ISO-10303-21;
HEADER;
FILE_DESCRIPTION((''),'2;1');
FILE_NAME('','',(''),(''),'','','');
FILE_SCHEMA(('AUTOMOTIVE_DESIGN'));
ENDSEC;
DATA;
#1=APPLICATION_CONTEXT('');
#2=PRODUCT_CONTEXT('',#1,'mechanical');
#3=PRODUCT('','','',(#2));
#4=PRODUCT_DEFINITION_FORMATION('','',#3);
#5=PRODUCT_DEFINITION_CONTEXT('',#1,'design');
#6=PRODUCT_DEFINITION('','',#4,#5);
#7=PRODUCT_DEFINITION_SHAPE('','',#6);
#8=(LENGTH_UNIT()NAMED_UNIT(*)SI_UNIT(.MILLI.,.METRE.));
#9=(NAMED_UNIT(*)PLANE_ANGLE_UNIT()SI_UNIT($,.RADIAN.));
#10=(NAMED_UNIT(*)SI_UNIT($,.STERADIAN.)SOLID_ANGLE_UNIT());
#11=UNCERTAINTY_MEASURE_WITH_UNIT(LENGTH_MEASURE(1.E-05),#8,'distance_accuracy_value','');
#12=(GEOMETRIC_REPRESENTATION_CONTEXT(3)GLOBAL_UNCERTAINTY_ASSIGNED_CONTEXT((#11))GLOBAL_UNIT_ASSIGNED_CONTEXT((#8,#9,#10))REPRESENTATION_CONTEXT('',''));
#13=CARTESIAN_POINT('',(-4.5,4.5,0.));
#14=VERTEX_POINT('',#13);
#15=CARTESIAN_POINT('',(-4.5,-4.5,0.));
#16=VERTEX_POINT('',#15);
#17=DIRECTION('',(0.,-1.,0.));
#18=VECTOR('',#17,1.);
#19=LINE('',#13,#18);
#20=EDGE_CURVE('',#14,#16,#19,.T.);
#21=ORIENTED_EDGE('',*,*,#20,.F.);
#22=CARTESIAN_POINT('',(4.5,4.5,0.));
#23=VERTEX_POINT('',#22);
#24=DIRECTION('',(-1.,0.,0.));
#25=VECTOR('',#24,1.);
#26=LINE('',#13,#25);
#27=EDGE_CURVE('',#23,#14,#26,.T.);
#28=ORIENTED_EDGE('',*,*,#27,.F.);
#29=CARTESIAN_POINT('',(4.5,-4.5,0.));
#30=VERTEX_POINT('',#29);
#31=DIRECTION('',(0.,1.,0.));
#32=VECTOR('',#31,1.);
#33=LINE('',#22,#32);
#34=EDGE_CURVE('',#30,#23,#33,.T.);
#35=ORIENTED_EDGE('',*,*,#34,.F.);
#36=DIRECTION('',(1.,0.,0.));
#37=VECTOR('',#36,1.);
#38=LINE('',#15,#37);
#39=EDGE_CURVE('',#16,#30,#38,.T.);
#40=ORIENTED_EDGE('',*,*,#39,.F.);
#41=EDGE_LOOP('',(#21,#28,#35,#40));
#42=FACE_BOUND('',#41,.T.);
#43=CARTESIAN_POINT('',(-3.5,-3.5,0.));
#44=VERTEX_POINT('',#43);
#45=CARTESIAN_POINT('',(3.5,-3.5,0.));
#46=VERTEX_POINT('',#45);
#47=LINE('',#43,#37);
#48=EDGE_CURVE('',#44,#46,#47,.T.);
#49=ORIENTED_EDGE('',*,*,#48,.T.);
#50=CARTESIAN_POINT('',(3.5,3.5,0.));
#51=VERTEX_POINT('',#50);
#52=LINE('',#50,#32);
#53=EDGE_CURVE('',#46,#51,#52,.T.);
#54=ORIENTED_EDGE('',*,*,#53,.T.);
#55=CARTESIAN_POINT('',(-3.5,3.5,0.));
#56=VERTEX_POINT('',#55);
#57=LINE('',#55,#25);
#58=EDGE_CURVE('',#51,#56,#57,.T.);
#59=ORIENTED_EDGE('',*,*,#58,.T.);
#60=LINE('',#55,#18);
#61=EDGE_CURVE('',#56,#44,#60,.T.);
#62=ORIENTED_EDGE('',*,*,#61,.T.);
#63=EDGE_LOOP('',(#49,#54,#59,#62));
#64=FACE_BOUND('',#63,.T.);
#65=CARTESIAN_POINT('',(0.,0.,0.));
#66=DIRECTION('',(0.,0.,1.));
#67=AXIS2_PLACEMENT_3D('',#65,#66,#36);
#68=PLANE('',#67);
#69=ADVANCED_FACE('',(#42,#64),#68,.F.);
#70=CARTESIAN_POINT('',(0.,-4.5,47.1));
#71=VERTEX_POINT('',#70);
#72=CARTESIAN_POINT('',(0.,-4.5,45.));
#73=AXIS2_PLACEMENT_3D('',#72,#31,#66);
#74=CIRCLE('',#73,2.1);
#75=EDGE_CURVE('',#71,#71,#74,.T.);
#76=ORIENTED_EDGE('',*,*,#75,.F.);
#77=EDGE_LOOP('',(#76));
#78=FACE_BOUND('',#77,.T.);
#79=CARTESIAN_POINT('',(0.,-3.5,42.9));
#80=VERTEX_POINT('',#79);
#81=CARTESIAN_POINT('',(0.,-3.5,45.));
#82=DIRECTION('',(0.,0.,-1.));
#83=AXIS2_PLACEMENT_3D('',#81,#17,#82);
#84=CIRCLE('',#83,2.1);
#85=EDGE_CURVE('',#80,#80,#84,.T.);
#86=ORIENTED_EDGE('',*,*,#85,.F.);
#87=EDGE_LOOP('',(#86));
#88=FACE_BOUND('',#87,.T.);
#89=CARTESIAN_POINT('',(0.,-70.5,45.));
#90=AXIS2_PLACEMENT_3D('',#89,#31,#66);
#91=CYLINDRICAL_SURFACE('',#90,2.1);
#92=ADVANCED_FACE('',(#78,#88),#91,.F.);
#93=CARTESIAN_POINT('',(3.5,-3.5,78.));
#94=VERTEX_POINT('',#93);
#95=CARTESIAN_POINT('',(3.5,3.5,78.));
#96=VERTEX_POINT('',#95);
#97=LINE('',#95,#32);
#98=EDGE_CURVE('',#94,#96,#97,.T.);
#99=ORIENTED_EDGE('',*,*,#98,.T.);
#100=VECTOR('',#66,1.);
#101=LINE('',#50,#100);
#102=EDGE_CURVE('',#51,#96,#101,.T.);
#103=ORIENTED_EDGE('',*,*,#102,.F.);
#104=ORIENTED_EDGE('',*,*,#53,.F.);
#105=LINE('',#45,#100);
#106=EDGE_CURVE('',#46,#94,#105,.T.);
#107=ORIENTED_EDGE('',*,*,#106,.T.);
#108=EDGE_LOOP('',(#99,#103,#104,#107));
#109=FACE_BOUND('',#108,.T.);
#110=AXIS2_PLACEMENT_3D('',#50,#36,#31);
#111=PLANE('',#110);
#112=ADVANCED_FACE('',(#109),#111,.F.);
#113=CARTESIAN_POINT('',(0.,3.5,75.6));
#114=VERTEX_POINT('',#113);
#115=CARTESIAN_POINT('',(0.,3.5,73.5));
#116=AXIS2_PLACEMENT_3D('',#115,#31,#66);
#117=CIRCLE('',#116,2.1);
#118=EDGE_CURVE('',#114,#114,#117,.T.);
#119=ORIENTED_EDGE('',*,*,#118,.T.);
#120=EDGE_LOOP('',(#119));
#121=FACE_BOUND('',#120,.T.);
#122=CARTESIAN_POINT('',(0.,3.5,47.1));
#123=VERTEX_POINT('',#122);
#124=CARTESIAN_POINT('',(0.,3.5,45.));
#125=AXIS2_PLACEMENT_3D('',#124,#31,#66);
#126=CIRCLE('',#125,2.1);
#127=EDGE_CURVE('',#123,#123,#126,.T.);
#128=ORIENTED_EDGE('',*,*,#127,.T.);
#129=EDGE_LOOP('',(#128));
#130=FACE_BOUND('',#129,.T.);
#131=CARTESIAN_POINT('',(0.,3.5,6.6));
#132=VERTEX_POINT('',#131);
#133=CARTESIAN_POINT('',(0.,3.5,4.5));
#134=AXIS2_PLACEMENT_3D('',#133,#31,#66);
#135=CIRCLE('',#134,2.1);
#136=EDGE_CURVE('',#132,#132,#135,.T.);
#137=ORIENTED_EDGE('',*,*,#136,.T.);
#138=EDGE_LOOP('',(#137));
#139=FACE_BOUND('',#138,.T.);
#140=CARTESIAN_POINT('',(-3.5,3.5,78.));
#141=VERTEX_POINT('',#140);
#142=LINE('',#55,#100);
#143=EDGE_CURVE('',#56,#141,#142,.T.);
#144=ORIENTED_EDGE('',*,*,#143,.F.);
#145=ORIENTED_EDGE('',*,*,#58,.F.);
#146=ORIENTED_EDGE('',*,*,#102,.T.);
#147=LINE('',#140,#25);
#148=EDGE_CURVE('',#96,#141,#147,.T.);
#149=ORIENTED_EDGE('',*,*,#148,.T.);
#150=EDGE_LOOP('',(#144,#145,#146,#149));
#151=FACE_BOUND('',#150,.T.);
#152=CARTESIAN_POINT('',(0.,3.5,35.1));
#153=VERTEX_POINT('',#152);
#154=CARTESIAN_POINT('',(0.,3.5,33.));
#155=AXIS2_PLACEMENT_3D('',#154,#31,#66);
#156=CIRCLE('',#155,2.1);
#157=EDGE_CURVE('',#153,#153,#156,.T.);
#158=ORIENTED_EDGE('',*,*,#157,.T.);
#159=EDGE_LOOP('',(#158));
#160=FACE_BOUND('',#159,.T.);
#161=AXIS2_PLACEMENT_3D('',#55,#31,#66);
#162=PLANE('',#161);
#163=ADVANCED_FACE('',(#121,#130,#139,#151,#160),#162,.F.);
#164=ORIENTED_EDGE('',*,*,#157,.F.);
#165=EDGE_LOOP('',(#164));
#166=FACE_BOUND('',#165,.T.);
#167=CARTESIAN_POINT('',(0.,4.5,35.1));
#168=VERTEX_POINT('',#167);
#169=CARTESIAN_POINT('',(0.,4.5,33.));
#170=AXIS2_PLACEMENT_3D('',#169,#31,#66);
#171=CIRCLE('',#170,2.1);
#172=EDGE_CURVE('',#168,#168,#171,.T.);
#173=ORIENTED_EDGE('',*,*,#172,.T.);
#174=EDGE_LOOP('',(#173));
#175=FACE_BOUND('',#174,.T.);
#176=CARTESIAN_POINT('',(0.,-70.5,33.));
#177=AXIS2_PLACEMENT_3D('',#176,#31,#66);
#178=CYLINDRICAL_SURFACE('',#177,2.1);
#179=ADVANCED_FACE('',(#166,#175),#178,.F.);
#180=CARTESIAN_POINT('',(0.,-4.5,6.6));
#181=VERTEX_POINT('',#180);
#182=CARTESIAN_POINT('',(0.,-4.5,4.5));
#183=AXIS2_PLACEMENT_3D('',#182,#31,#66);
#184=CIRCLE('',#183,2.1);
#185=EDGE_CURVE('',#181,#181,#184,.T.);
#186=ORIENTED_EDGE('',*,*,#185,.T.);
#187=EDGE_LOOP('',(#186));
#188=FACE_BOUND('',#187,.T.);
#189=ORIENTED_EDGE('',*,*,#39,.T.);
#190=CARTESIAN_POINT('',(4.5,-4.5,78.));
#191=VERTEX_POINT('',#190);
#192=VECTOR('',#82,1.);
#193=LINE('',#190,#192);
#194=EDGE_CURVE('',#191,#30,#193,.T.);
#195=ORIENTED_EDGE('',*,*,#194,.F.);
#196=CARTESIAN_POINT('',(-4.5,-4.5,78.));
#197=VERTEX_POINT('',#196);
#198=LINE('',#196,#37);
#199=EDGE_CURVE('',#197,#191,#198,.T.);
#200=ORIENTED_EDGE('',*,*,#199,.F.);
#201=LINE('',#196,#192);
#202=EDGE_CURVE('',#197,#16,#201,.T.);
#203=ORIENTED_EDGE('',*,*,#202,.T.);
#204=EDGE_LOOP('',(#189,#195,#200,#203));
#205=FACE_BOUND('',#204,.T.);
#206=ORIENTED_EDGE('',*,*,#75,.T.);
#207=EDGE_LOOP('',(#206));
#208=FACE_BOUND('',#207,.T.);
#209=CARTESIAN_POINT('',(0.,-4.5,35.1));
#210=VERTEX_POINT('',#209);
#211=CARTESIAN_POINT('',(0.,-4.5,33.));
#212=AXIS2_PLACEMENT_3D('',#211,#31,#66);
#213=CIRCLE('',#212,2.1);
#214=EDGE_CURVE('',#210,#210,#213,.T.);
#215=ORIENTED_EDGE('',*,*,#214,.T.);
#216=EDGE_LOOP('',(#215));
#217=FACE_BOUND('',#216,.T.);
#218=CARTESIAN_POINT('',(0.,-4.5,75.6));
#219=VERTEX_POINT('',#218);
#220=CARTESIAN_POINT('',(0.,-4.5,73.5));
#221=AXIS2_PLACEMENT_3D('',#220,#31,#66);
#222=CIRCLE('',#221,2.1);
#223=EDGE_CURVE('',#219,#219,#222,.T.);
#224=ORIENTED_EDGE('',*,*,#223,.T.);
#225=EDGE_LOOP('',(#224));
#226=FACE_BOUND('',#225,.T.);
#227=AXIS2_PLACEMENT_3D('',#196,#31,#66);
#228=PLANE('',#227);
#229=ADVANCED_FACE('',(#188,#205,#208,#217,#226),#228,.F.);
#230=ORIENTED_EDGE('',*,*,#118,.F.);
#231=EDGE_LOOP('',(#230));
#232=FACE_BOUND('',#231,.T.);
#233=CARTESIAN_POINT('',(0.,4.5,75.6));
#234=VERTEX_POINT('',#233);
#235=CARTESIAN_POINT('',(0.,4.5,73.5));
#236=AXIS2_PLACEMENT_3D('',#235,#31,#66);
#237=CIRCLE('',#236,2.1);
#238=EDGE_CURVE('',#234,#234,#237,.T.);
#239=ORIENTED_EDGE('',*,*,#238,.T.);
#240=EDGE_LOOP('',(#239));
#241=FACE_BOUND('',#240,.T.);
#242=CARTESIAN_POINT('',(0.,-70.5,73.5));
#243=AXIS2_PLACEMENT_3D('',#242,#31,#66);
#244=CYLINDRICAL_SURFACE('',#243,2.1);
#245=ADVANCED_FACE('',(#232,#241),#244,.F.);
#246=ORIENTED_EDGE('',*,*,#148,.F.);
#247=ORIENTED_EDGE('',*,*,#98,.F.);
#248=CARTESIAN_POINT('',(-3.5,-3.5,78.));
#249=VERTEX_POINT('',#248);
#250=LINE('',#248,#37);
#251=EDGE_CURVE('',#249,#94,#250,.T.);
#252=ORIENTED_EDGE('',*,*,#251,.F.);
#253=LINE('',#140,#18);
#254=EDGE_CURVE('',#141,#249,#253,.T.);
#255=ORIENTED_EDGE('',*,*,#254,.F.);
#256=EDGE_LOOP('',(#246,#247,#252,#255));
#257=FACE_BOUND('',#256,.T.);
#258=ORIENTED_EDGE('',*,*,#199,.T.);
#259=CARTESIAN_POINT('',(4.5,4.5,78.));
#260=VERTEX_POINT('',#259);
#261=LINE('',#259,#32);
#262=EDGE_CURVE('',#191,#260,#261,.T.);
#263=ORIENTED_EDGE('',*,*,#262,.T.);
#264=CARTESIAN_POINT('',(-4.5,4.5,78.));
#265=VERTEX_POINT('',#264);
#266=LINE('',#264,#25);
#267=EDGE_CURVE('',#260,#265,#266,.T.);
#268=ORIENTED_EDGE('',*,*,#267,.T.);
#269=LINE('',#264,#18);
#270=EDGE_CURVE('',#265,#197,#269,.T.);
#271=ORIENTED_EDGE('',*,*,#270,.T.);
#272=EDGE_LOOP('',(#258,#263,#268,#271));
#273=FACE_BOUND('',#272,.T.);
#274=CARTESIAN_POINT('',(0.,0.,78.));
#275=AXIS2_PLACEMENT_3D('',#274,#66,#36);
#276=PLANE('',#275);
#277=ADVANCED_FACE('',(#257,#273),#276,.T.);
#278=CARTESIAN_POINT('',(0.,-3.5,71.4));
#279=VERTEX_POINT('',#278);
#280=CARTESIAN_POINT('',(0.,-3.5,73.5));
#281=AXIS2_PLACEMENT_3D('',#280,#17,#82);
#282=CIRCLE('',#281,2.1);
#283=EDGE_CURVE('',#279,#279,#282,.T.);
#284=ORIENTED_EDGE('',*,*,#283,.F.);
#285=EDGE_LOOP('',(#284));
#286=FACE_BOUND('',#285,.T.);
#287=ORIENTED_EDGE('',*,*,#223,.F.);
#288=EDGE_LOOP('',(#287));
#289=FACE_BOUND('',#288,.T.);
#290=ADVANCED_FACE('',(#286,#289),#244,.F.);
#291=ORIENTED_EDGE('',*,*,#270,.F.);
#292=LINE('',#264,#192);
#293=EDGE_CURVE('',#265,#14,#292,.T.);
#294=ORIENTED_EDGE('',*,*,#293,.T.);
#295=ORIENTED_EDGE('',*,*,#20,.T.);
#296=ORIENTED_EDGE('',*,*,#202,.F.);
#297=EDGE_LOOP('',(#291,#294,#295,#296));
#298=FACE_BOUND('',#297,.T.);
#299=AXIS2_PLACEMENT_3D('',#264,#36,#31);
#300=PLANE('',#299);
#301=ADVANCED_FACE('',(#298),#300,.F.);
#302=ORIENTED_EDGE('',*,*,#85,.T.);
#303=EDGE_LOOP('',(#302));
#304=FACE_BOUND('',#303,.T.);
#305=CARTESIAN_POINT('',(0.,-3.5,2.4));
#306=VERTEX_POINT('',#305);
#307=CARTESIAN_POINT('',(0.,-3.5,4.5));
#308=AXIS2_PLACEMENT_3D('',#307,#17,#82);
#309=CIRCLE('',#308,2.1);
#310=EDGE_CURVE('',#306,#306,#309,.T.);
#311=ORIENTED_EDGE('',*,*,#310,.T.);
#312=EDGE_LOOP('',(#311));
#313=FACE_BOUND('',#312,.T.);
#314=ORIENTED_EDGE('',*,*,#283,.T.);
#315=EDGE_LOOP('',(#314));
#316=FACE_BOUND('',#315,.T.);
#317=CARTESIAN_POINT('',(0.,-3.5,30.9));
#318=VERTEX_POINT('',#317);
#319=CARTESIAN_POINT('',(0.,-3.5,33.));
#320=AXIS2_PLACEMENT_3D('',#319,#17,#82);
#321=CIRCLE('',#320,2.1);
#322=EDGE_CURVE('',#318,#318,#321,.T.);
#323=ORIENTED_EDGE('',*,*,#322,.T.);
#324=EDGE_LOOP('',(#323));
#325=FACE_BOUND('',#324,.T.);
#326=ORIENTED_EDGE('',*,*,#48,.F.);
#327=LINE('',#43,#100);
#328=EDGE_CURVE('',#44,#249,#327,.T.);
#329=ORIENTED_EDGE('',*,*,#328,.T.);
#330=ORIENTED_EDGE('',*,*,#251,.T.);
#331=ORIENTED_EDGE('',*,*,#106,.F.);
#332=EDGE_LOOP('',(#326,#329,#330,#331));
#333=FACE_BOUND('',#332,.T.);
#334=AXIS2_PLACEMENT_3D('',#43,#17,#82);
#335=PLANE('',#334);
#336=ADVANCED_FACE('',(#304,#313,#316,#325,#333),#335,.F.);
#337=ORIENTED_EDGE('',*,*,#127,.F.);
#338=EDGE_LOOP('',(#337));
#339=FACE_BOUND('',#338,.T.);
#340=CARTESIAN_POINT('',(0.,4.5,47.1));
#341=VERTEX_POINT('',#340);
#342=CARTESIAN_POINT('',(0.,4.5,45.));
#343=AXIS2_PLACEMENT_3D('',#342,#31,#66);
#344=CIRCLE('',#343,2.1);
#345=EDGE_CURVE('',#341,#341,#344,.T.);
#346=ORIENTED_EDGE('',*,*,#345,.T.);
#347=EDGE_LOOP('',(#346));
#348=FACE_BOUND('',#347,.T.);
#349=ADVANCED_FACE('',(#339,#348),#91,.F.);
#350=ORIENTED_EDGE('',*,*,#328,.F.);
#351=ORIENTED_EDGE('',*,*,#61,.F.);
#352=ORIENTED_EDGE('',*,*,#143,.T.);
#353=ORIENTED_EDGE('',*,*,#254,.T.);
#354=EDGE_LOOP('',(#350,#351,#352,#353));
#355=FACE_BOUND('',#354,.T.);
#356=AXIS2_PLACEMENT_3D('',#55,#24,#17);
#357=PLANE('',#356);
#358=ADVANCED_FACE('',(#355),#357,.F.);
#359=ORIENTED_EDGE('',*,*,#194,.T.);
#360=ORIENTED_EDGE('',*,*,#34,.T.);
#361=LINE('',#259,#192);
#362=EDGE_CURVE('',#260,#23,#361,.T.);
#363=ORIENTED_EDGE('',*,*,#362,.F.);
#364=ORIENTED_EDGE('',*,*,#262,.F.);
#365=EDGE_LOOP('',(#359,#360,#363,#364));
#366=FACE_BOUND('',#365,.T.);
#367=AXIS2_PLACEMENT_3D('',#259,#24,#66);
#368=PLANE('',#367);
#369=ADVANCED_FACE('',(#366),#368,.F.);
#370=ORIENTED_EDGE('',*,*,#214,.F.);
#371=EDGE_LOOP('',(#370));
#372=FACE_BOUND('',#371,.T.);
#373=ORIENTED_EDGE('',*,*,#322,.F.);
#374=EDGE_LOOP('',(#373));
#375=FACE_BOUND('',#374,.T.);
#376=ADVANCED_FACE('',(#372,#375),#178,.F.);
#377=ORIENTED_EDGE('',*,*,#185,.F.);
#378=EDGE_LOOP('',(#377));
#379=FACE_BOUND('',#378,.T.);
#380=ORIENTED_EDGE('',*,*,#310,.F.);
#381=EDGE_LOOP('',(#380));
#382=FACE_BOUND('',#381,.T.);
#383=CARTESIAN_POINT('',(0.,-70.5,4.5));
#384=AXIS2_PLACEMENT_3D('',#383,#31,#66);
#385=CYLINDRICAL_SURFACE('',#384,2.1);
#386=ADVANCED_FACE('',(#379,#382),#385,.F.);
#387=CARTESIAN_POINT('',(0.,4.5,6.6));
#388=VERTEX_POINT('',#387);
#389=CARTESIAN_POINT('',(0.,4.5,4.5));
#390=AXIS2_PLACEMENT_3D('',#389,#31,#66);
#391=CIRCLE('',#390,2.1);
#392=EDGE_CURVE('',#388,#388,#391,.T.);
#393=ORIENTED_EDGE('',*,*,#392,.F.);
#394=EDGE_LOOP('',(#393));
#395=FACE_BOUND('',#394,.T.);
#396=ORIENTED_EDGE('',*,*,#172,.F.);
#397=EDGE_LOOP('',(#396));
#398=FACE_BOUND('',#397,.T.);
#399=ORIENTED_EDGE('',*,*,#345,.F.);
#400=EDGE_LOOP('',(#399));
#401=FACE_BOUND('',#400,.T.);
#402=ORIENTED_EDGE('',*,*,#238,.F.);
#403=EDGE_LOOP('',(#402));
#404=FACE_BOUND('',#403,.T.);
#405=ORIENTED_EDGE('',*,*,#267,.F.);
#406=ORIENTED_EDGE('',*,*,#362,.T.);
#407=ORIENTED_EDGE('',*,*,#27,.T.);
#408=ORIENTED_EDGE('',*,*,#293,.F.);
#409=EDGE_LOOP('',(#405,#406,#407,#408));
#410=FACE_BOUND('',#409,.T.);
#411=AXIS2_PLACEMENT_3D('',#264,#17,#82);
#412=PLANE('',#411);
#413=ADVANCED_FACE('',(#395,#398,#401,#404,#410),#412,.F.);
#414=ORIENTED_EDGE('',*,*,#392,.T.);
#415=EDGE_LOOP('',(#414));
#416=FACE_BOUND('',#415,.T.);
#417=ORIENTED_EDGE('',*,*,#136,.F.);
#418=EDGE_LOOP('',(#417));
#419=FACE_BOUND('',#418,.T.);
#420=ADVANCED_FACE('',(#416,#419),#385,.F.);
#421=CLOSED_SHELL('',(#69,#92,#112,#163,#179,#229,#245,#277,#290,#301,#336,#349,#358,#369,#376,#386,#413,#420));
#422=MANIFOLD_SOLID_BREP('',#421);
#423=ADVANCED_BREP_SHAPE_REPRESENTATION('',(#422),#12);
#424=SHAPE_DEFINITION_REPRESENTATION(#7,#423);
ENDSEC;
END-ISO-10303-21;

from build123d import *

# Parameters (mm, degrees)
SKETCH_1_W          = 9
SKETCH_1_H          = 9
EXTRUDE_1_DEPTH     = 78
SKETCH_2_W          = 7
SKETCH_2_H          = 7
CUT_EXTRUDE_1_DEPTH = 78
SKETCH_3_R          = 2.1
CUT_EXTRUDE_2_DEPTH = 75
SKETCH_4_R          = 2.1
CUT_EXTRUDE_3_DEPTH = 75


with BuildPart() as part:
    # ｽｹｯﾁ1 → ﾎﾞｽ - 押し出し1 (new body)
    with BuildSketch(Plane.XY):
        Rectangle(SKETCH_1_W, SKETCH_1_H)
    extrude(amount=EXTRUDE_1_DEPTH)

    # ｽｹｯﾁ2 → ｶｯﾄ - 押し出し1 (cut)
    with BuildSketch(Plane.XY.offset(78)):
        Rectangle(SKETCH_2_W, SKETCH_2_H)
    extrude(amount=-CUT_EXTRUDE_1_DEPTH, mode=Mode.SUBTRACT)

    # ｽｹｯﾁ3 → ｶｯﾄ - 押し出し2 (cut)
    with BuildSketch(Plane(origin=(0, 4.5, 0), x_dir=(1, 0, 0), z_dir=(0, 1, 0))):
        with Locations((0, -4.5)):
            Circle(SKETCH_3_R)
        with Locations((0, -73.5)):
            Circle(SKETCH_3_R)
    extrude(amount=-CUT_EXTRUDE_2_DEPTH, mode=Mode.SUBTRACT)

    # ｽｹｯﾁ4 → ｶｯﾄ - 押し出し3 (cut)
    with BuildSketch(Plane(origin=(0, 4.5, 0), x_dir=(1, 0, 0), z_dir=(0, 1, 0))):
        with Locations((0, -33)):
            Circle(SKETCH_4_R)
        with Locations((0, -45)):
            Circle(SKETCH_4_R)
    extrude(amount=-CUT_EXTRUDE_3_DEPTH, mode=Mode.SUBTRACT)


solid = part.part
